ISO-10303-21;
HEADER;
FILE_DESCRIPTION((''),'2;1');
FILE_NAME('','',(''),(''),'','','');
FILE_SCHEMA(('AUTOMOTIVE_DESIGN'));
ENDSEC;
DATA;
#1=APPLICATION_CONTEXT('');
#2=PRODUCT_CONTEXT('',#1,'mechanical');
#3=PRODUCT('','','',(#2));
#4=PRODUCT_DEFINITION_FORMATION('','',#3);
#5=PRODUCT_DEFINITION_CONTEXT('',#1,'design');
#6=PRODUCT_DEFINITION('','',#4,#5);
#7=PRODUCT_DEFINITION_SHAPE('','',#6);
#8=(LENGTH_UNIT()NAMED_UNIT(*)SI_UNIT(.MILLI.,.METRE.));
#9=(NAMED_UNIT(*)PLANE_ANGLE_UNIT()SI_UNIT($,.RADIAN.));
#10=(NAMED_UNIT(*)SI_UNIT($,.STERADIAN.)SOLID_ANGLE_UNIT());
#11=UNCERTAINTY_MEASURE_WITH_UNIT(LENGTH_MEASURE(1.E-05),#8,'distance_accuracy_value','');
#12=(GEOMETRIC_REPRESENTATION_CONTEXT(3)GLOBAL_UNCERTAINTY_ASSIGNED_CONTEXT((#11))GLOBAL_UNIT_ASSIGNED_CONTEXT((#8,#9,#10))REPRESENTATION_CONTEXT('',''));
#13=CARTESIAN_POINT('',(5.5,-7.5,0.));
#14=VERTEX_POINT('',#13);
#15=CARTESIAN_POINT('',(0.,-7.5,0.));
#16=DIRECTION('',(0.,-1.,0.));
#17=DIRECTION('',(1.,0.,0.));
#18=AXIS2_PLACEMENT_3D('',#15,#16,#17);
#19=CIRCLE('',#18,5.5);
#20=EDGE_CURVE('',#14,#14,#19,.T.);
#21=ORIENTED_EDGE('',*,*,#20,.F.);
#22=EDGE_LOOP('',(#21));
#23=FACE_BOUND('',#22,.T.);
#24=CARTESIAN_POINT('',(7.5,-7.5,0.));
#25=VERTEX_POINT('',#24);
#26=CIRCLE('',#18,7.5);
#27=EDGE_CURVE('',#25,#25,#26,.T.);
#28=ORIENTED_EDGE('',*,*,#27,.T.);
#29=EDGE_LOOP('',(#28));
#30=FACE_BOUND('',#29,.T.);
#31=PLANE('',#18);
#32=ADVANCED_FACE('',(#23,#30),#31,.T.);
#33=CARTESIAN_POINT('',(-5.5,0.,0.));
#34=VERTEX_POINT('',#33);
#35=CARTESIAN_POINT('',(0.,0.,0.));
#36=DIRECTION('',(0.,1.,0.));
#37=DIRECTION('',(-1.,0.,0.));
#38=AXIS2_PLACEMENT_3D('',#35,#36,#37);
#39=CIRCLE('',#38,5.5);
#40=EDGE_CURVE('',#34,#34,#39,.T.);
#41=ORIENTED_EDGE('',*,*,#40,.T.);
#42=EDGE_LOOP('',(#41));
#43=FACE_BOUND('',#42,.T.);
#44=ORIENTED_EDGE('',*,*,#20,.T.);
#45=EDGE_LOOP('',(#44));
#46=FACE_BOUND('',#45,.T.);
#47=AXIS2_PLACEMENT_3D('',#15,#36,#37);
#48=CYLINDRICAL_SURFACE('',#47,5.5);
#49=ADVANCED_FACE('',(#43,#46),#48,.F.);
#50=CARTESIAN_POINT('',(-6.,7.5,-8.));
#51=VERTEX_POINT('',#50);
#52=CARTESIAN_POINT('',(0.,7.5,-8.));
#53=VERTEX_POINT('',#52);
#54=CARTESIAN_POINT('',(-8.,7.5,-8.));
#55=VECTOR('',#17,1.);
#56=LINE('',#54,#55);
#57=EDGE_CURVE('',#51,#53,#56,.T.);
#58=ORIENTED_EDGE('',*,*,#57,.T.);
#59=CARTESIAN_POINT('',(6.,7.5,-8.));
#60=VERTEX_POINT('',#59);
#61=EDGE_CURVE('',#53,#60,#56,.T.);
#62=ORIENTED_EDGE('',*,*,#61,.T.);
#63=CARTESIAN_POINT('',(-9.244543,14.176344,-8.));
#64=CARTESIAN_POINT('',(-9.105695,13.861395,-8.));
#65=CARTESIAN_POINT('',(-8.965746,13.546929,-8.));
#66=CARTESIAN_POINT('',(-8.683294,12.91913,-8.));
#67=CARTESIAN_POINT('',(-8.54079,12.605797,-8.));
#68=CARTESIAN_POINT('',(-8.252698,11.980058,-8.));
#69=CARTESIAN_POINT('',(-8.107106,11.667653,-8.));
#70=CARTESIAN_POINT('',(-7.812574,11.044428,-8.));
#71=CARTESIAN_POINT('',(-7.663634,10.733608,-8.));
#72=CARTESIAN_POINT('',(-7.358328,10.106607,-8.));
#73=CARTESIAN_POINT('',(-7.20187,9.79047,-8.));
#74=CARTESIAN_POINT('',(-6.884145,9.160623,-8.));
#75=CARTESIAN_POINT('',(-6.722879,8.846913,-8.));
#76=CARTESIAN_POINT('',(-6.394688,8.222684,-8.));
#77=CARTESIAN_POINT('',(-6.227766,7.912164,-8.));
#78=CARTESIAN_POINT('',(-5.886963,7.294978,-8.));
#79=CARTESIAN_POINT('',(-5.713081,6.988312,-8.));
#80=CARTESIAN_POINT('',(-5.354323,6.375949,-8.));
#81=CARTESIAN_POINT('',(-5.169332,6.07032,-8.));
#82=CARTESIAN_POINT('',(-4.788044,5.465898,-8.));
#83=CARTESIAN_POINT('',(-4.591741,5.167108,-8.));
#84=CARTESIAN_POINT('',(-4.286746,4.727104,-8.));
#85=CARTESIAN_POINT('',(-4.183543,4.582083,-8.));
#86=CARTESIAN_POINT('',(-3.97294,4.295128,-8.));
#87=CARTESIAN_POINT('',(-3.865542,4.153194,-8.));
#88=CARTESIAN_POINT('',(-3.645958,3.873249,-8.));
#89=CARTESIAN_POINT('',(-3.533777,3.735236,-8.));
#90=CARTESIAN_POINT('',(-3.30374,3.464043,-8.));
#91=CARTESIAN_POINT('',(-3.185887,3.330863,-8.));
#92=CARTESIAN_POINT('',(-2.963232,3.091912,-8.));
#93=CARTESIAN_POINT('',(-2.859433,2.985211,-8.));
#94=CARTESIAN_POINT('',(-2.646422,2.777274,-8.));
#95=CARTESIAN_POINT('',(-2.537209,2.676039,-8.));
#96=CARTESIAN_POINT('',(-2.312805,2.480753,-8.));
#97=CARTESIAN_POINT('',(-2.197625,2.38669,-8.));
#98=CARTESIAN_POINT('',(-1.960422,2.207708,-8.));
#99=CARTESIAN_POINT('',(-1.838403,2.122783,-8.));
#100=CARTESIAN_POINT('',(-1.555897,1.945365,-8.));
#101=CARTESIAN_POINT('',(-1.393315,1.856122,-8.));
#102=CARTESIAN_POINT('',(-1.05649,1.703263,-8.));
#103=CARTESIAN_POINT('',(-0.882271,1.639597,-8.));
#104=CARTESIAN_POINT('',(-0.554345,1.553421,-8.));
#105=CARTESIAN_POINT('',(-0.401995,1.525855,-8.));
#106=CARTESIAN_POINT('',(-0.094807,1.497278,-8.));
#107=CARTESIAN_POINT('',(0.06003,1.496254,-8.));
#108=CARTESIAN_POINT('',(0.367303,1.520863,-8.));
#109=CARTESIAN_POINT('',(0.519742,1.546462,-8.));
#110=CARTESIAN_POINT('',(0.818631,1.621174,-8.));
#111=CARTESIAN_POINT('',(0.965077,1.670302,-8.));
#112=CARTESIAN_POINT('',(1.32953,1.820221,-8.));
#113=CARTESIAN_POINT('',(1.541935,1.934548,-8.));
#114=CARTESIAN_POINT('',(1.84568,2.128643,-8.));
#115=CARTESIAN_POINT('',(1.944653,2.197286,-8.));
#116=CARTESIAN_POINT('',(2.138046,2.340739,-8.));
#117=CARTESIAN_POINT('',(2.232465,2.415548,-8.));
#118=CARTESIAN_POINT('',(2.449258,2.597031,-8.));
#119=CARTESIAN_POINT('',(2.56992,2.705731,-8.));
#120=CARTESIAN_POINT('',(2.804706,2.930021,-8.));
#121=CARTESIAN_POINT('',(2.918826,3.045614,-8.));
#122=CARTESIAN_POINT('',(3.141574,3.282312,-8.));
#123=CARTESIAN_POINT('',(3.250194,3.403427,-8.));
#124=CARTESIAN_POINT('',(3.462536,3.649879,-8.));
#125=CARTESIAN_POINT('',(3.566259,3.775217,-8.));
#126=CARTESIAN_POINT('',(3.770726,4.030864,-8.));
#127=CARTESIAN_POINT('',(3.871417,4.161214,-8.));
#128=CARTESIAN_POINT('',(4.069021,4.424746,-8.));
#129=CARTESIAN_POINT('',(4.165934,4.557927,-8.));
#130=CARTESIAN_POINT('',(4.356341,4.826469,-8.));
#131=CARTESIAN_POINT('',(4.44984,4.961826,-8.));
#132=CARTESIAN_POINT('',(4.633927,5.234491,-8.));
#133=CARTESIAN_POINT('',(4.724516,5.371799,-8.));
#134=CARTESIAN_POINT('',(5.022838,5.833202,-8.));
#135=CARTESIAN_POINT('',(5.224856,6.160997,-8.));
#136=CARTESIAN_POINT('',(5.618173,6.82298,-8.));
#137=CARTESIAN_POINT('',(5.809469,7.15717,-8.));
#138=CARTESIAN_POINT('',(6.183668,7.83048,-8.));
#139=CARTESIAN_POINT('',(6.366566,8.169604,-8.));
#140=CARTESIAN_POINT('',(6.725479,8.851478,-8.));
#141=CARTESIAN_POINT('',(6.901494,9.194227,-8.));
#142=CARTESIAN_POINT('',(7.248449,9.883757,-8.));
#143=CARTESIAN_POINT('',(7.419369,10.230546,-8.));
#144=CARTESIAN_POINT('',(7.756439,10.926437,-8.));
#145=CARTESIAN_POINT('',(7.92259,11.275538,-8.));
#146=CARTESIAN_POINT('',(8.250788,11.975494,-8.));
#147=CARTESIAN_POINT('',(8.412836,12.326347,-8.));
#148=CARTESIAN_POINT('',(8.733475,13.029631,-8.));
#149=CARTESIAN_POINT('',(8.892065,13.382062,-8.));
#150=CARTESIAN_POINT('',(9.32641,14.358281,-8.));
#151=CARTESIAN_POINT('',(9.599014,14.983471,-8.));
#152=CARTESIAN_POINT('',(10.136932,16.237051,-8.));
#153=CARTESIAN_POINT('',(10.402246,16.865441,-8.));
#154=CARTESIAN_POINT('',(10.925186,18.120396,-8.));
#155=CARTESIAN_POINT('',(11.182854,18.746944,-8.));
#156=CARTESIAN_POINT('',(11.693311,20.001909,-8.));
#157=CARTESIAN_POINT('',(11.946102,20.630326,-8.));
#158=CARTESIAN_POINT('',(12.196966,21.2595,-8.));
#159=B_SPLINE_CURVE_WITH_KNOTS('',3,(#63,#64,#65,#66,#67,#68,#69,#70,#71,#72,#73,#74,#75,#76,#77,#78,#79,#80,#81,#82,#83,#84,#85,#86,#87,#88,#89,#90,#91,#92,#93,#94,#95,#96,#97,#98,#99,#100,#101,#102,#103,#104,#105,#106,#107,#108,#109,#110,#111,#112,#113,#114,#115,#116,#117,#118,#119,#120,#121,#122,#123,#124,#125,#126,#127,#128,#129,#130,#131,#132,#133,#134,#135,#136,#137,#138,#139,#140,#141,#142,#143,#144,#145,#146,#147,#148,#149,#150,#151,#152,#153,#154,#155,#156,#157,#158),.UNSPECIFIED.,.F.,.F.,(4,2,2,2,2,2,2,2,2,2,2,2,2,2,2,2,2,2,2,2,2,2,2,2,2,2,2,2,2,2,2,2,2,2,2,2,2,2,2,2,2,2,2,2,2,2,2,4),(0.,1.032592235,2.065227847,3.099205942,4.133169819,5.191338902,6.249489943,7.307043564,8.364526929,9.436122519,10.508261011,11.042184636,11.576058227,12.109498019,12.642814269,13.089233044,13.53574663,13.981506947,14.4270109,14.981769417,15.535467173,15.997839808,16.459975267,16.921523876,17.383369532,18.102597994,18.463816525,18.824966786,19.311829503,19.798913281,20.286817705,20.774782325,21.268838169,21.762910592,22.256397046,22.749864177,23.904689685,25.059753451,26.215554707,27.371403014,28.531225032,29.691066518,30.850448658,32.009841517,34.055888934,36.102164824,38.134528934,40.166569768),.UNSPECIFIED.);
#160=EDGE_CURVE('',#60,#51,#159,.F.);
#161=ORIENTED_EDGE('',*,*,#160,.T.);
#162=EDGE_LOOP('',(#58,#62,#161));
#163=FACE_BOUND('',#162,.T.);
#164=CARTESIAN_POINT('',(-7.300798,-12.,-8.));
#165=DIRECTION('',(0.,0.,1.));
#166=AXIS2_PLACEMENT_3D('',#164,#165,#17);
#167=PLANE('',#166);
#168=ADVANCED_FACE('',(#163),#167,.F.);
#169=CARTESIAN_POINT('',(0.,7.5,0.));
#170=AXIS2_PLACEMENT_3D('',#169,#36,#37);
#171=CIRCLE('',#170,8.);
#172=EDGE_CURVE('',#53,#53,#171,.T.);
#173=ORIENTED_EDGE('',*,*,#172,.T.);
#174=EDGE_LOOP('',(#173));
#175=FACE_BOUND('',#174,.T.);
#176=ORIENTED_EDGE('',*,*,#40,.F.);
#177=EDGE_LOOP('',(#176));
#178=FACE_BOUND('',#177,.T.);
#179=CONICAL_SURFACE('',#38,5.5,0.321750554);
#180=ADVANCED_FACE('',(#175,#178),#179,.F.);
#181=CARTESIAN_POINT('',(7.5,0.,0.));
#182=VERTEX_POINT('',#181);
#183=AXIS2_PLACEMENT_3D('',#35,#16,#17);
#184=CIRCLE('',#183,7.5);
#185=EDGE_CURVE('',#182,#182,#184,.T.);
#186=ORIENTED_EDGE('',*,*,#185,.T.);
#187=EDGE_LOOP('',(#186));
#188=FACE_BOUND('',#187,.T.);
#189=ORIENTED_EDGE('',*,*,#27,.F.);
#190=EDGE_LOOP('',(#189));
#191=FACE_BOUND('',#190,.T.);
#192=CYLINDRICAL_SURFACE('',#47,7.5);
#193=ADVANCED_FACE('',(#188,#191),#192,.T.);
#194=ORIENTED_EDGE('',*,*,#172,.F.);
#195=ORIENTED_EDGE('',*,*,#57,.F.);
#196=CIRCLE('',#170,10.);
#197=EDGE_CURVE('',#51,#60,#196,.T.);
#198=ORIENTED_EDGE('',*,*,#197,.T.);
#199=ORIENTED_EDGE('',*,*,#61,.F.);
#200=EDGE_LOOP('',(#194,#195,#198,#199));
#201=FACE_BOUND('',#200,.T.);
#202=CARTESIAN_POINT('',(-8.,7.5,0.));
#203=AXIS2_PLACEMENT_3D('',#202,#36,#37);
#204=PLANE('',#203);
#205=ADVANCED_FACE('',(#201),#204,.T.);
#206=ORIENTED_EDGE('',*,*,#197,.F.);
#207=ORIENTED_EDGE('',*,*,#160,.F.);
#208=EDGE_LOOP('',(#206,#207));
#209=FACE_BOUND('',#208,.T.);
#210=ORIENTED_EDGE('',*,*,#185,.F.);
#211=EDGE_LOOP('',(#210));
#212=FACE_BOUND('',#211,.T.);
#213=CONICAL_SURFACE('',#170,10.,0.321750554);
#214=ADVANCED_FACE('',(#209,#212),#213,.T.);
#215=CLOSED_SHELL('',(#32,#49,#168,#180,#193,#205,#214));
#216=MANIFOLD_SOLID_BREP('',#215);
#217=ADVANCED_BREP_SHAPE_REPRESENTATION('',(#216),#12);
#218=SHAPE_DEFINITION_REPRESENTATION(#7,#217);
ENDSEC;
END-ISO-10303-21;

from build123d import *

# Parameters (mm, degrees)
CROQUIS3_R              = 7.5
CROQUIS3_R_2            = 5.5
SALIENTE_EXTRUIR1_DEPTH = 7.5
CROQUIS4_W              = 14.601596012
CROQUIS4_H              = 2.867230366
CORTAR_EXTRUIR1_DEPTH   = 19.5


with BuildPart() as part:
    # Croquis2 → Revolución1 (revolve)
    with BuildSketch(Plane.XY):
        Polygon((-5.5, 0), (-8, 7.5), (-10, 7.5), (-7.5, 0), align=None)
    revolve(axis=Axis((0, 7.5, 0), (0, -1, 0)))

    # Croquis3 → Saliente-Extruir1 (add)
    with BuildSketch(Plane.XZ):
        Circle(CROQUIS3_R)
        Circle(CROQUIS3_R_2, mode=Mode.SUBTRACT)
    extrude(amount=SALIENTE_EXTRUIR1_DEPTH)

    # Croquis4 → Cortar-Extruir1 (cut)
    with BuildSketch(Plane(origin=(0, 7.5, 0), x_dir=(1, 0, 0), z_dir=(0, 1, 0))):
        with Locations((0, 9.433615183)):
            Rectangle(CROQUIS4_W, CROQUIS4_H)
    extrude(amount=-CORTAR_EXTRUIR1_DEPTH, mode=Mode.SUBTRACT)


solid = part.part
